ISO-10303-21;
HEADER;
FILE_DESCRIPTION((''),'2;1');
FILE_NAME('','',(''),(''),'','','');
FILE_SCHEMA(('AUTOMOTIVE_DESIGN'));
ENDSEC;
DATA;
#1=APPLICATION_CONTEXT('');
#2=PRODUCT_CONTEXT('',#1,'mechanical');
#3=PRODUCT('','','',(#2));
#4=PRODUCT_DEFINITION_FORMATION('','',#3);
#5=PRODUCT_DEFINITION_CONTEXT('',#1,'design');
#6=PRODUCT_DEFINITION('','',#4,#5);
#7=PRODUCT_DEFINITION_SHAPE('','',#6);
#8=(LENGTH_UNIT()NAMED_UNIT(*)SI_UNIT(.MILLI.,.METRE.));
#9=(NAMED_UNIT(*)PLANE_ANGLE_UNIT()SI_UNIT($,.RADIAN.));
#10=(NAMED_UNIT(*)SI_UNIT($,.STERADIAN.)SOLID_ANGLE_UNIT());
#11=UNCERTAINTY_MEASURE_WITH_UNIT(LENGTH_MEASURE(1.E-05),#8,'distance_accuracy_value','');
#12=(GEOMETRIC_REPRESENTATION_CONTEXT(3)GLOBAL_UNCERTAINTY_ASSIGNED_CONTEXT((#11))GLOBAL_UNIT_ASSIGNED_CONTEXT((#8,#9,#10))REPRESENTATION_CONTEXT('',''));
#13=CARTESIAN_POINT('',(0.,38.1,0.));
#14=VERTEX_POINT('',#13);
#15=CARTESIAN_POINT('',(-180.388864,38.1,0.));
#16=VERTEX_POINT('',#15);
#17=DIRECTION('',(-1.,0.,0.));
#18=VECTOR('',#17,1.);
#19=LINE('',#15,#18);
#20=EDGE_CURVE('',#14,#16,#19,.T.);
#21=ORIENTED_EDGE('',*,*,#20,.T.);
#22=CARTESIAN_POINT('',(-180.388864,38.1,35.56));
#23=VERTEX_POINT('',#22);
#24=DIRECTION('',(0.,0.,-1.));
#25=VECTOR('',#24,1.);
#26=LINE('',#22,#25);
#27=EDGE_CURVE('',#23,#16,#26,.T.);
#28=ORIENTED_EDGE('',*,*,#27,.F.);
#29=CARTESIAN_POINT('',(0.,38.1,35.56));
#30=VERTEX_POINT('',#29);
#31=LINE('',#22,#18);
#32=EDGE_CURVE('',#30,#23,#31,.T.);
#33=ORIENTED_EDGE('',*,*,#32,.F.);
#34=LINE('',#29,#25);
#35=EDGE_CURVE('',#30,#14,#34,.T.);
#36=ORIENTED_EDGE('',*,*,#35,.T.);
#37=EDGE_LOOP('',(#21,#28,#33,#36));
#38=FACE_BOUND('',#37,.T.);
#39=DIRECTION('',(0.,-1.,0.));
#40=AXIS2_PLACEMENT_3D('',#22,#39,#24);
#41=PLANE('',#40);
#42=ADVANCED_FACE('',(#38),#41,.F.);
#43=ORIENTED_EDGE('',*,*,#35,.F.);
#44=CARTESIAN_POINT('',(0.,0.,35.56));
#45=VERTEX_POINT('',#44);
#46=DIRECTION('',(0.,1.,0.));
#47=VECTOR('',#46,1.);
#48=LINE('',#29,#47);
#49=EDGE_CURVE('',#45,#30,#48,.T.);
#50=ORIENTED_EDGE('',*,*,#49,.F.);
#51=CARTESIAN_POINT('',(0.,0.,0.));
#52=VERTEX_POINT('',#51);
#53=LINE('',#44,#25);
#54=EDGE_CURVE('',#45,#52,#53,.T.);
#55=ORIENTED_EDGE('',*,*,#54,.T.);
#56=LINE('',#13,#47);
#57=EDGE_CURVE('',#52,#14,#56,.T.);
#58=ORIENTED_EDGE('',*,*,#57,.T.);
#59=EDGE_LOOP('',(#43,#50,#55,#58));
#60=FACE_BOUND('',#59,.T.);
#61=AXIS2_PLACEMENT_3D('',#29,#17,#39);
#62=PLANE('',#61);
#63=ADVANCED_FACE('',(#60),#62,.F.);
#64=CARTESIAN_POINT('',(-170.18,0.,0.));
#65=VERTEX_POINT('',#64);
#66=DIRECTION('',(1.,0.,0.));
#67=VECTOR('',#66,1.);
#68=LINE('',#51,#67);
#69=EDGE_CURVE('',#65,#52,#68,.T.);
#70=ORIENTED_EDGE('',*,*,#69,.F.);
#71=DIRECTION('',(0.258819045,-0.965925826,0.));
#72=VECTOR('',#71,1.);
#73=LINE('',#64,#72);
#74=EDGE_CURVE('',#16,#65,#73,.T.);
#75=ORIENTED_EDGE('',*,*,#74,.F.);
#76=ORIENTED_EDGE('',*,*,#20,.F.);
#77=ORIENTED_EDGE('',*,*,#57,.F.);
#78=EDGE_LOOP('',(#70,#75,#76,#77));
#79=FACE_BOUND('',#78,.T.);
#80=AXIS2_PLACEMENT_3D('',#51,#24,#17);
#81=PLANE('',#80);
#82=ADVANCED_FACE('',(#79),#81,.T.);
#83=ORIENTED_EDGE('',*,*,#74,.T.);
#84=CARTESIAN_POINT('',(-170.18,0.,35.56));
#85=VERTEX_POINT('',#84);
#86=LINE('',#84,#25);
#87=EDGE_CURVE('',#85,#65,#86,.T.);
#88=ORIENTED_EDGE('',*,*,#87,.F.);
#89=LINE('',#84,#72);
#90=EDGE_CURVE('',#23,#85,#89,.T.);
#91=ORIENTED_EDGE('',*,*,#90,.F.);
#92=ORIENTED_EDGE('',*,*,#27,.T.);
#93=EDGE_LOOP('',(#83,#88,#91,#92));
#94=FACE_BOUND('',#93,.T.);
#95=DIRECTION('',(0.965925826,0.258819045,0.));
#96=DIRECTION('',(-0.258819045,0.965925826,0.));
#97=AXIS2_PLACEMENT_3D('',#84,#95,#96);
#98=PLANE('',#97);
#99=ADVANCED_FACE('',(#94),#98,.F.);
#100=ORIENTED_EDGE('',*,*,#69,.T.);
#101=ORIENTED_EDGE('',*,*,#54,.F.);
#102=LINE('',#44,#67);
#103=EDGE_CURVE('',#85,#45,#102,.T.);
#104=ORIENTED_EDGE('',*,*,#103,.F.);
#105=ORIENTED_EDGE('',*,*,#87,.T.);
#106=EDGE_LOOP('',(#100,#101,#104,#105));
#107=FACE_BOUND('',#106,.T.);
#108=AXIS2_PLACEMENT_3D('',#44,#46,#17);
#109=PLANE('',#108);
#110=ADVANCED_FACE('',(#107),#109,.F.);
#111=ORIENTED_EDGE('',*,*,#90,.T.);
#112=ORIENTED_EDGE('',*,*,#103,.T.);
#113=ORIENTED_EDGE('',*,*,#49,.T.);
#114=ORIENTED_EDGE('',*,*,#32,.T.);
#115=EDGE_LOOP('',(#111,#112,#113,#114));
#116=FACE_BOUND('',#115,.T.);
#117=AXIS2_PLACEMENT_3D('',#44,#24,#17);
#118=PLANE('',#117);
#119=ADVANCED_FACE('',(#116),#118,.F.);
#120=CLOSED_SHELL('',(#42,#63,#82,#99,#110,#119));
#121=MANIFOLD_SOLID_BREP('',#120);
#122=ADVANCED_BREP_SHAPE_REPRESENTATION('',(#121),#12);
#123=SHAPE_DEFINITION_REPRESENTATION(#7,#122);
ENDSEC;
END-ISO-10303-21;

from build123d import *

# Parameters (mm, degrees)
BOSS_EXTRUDE1_DEPTH = 35.56


with BuildPart() as part:
    # Sketch1 → Boss-Extrude1 (new body)
    with BuildSketch(Plane.XY):
        Polygon((0, 0), (-170.18, 0), (-180.388864232, 38.1), (0, 38.1), align=None)
    extrude(amount=BOSS_EXTRUDE1_DEPTH)


solid = part.part
